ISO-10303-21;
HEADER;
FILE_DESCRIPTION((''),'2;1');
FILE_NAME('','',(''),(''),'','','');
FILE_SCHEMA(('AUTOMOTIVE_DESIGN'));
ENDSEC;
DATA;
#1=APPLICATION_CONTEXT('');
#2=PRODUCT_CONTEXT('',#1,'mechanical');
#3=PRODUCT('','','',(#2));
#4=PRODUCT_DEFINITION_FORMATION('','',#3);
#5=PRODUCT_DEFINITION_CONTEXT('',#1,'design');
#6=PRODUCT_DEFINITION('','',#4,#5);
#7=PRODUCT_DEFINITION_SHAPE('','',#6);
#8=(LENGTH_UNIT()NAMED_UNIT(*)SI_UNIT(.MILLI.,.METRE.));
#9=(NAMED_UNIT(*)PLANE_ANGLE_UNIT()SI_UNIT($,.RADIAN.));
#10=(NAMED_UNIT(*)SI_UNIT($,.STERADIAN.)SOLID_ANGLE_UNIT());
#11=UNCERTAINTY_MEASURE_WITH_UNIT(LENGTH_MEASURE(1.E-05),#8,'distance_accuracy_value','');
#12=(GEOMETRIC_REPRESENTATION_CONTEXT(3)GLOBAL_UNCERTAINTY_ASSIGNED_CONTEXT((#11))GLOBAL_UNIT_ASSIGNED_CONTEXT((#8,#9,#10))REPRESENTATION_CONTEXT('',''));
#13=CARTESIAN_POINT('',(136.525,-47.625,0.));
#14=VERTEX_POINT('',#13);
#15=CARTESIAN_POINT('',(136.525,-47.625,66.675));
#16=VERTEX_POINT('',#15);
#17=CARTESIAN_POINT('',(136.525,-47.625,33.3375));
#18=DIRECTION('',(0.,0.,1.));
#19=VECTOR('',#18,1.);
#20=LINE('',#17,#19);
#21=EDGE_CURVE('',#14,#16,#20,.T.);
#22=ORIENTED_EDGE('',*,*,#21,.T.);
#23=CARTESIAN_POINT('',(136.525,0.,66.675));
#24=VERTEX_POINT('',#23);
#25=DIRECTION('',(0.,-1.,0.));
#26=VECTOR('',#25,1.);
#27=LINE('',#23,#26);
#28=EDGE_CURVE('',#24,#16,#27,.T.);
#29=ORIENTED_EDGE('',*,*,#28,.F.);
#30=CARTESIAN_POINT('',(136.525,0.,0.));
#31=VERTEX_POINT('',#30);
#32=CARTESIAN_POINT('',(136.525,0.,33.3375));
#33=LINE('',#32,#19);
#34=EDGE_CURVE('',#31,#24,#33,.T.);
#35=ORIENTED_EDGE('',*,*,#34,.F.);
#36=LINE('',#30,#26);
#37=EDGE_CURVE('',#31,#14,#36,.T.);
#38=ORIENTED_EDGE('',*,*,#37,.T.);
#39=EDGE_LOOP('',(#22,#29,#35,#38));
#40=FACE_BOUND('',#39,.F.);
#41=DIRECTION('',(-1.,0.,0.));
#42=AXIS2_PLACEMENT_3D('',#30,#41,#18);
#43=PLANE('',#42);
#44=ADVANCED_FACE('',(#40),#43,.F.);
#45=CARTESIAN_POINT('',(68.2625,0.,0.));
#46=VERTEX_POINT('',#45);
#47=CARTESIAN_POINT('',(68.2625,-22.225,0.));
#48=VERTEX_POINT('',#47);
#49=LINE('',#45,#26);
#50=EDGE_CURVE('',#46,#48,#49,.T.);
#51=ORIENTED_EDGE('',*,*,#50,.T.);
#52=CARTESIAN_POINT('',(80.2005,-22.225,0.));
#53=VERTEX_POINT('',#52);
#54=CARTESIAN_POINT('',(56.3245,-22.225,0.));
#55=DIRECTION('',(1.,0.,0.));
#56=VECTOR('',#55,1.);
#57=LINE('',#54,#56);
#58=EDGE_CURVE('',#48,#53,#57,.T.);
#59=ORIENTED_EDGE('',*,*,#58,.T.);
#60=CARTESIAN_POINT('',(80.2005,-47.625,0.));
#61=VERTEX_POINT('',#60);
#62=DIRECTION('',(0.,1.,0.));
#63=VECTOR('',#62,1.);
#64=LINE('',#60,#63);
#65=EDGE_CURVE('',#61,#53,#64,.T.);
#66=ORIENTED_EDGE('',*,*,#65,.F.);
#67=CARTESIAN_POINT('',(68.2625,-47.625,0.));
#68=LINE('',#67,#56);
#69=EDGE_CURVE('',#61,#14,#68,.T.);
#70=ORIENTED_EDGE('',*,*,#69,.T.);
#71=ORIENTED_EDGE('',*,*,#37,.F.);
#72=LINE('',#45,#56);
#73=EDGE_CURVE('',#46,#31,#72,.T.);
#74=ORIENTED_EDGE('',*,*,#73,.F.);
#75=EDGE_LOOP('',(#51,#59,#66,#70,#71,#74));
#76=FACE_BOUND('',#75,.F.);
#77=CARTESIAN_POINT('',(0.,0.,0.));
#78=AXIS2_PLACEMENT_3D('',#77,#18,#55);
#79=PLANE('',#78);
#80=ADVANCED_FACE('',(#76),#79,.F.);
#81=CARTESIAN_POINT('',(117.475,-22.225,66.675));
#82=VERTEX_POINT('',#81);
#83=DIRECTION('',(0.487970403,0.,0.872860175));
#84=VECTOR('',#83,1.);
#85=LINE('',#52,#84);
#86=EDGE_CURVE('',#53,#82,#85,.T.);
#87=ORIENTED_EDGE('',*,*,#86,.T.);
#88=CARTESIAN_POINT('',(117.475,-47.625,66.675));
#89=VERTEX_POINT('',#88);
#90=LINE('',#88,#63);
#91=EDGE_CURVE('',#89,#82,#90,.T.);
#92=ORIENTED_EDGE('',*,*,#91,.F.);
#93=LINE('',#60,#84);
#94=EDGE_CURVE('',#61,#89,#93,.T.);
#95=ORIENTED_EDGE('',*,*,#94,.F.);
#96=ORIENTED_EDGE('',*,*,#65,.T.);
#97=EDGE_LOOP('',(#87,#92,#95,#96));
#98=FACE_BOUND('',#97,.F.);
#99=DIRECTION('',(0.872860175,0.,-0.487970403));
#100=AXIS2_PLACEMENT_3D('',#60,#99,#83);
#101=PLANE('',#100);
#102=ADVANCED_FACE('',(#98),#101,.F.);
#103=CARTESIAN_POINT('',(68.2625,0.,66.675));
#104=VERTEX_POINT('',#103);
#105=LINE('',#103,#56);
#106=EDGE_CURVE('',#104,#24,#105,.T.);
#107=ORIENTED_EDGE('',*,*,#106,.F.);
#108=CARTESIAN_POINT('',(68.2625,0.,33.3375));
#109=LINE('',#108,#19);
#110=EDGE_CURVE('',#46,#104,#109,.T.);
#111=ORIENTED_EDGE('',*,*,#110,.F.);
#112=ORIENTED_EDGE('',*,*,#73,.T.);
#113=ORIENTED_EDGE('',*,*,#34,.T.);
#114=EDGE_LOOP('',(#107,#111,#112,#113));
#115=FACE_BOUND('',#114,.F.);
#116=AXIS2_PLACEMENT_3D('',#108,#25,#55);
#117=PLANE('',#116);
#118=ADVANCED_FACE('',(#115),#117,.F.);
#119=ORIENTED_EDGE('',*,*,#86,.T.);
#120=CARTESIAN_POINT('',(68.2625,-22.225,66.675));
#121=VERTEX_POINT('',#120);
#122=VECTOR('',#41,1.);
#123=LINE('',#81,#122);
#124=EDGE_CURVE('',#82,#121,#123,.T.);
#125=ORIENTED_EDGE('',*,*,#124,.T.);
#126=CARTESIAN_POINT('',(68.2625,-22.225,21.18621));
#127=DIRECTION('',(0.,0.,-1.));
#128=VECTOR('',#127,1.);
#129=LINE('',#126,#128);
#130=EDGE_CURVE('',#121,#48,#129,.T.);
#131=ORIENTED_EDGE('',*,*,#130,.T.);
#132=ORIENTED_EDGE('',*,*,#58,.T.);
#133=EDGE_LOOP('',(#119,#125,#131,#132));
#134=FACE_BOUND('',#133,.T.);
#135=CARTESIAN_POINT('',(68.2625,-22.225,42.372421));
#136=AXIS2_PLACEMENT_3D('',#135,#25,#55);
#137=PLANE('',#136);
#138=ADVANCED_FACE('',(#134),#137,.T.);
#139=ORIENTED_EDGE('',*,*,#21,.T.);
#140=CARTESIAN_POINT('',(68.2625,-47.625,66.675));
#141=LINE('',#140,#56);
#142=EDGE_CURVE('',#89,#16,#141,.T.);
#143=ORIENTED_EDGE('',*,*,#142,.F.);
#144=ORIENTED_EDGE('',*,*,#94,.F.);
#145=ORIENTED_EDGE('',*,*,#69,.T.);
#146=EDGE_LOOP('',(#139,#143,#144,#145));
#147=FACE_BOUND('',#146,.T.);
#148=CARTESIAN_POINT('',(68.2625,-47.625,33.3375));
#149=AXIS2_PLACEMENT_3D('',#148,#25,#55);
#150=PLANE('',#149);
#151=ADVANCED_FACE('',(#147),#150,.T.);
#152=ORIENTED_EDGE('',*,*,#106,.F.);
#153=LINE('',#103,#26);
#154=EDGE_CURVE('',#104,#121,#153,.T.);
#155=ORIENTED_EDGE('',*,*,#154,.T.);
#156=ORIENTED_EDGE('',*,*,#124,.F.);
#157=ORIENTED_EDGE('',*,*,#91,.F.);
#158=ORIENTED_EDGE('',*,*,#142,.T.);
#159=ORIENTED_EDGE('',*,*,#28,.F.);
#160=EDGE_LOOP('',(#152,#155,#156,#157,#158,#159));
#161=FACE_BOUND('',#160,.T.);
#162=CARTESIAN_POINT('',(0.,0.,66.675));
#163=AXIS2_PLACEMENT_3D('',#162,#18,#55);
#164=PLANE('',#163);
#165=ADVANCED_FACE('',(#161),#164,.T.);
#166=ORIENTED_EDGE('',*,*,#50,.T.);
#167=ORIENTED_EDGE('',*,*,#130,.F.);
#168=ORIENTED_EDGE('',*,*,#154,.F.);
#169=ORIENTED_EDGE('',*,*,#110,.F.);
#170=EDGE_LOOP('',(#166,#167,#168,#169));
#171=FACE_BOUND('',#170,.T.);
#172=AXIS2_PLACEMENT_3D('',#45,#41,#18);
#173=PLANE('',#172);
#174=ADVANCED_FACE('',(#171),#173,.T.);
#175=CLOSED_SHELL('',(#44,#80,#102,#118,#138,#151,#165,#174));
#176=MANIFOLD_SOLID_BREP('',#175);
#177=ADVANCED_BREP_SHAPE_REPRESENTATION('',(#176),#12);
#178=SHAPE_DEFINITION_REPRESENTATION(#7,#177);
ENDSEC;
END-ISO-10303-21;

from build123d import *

# Parameters (mm, degrees)
F0_W     = 136.525
F0_H     = 66.675
F1_DEPTH = 47.625
F3_DEPTH = 25.4
F4_DEPTH = 68.2625


with BuildPart() as f1:
    # F0 (on Front) → F1 (new body)
    with BuildSketch(Plane.XZ):
        with Locations((68.2625, 33.3375)):
            Rectangle(F0_W, F0_H)
    extrude(amount=F1_DEPTH)

    # F2 (on face) → F3 (cut)
    with BuildSketch(Plane.XZ.offset(47.625)):
        Polygon((117.475, 66.675), (19.05, 66.675), (56.3245, 0), (80.2005, 0), align=None)
    extrude(amount=-F3_DEPTH, mode=Mode.SUBTRACT)

    # F4 (cut): a face of the model
    f4_faces = [f1.faces().sort_by_distance(p)[0] for p in [
        (0, -23.8125, 33.3375),
    ]]
    extrude(f4_faces, amount=-F4_DEPTH, mode=Mode.SUBTRACT)


solid = f1.part
